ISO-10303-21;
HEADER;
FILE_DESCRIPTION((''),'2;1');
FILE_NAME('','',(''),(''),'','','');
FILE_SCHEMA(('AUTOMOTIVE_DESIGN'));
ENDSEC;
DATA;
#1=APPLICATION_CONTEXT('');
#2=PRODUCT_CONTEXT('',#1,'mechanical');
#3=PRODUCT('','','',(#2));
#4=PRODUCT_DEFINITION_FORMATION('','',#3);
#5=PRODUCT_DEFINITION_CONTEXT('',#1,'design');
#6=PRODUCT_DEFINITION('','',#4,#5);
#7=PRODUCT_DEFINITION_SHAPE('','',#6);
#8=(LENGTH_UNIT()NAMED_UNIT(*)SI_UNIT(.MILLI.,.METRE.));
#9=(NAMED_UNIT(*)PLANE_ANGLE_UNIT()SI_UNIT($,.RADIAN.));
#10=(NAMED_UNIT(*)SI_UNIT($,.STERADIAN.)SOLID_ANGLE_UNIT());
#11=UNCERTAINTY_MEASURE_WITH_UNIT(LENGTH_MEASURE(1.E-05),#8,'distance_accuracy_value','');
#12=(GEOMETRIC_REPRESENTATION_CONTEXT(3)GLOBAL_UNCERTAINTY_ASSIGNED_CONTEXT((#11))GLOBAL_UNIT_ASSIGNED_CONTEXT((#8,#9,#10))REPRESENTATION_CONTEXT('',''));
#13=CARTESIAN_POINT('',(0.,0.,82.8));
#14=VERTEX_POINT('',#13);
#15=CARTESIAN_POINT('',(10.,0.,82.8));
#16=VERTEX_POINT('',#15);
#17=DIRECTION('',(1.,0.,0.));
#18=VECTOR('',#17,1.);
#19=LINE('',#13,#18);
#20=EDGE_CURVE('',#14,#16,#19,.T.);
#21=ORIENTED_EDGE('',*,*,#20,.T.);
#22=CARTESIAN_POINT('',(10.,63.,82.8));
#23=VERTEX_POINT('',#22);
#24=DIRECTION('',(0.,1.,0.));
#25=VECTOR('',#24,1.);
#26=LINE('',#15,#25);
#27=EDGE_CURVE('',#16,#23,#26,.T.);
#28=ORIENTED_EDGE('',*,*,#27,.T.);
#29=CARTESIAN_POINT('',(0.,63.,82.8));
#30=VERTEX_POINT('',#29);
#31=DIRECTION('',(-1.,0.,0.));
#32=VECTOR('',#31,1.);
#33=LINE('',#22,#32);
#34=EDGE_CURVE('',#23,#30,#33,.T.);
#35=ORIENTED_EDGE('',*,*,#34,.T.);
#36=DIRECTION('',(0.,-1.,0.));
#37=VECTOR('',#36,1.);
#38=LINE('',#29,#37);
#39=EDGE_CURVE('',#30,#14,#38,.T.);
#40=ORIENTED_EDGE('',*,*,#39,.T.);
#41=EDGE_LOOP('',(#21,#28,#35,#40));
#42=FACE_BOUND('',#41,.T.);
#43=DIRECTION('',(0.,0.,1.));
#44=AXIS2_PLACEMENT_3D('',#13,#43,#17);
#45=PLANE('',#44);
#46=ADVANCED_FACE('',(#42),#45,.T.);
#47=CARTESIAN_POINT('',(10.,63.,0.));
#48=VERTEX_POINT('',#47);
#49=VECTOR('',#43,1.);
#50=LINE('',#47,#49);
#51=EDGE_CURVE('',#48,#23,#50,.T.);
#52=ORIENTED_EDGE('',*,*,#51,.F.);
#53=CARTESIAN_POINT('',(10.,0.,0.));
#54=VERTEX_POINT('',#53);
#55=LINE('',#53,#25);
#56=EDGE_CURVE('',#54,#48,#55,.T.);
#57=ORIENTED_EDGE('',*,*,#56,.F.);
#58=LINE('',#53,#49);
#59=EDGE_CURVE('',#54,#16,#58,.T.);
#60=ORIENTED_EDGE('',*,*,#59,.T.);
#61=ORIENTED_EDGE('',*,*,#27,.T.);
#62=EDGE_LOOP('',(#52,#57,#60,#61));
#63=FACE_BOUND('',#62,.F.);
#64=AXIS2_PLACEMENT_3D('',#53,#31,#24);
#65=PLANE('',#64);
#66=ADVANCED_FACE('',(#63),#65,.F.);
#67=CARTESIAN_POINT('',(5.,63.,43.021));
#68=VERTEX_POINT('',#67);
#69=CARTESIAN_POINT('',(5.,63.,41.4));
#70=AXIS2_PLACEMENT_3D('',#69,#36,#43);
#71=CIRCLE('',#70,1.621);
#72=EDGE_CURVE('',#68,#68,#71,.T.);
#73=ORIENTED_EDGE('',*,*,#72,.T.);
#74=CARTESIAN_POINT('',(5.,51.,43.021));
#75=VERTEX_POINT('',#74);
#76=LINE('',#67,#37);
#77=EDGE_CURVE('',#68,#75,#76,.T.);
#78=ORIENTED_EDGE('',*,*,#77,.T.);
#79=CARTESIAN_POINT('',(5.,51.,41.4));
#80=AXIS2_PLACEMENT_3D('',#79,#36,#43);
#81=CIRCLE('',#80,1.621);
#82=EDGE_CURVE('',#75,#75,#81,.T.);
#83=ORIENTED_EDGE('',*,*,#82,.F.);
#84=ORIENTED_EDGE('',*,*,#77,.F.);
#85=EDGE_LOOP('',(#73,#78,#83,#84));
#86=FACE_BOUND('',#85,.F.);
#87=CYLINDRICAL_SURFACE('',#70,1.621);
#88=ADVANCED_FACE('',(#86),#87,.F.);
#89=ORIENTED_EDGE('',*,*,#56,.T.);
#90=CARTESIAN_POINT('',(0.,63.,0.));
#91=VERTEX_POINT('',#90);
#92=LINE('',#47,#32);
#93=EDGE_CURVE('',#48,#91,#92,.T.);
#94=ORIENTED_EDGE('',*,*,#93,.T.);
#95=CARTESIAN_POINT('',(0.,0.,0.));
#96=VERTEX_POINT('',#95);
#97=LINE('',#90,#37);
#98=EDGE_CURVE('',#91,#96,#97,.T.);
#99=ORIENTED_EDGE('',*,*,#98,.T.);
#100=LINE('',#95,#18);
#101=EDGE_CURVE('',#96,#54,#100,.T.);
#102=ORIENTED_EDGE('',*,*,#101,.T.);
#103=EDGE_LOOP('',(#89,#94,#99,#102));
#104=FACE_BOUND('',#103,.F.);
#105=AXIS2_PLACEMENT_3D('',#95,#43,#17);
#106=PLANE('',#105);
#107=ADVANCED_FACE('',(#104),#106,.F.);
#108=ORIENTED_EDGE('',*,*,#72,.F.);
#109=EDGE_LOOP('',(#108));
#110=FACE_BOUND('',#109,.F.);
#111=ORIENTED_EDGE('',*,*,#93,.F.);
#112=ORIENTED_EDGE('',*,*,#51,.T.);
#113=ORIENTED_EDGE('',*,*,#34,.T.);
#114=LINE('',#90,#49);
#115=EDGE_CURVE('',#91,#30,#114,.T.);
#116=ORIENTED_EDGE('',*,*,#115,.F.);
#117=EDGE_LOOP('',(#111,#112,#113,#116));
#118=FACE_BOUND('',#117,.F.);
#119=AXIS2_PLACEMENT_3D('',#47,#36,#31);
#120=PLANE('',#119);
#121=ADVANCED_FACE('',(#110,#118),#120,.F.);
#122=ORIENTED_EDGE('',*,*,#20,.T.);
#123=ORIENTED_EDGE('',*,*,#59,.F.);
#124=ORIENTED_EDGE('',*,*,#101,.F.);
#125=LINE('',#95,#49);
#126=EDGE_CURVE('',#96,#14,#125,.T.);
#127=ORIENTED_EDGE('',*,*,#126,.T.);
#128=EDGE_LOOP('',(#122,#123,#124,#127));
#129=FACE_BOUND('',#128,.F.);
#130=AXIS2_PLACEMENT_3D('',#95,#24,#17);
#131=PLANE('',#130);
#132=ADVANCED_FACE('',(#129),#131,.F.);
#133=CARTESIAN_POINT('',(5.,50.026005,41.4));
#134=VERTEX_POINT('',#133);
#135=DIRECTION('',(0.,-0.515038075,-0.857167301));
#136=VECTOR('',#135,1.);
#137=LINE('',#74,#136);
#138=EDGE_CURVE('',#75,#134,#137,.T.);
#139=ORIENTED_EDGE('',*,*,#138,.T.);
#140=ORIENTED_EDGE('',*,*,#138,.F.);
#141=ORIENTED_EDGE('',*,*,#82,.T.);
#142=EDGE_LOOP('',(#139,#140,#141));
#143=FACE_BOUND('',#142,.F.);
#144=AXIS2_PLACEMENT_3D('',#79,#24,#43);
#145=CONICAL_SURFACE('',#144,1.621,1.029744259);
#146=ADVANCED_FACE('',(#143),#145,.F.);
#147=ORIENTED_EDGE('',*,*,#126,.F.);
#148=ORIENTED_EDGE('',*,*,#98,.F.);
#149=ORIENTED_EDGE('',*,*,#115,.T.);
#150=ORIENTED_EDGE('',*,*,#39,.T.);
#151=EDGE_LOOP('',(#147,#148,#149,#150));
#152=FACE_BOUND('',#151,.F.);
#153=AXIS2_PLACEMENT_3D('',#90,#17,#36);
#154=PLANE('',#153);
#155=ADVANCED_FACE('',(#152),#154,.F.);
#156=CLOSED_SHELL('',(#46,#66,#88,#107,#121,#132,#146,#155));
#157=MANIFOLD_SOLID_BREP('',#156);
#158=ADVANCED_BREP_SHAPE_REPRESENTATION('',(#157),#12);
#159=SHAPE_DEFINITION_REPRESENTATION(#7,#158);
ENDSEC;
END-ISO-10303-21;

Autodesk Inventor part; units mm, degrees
ref_plane "YZ Plane" through (0, 0, 0) normal (1, 0, 0) x (0, 1, 0)
ref_plane "XZ Plane" through (0, 0, 0) normal (0, 1, 0) x (-1, 0, 0)
ref_plane "XY Plane" through (0, 0, 0) normal (0, 0, 1) x (1, 0, 0)
sketch "Sketch1" plane through (0, 0, 0) normal (0, 0, 1) x (1, 0, 0)
  line L0 (0, 0) -> (10, 0)
  line L1 (10, 0) -> (10, 63)
  line L2 (10, 63) -> (0, 63)
  line L3 (0, 63) -> (0, 0)
  dimension "d0" = 10
  dimension "d1" = 63
extrude "Extrusion1" add sketch "Sketch1" along normal blind 82.8
sketch "m" plane through (0, 63, 0) normal (0, 1, 0) x (1, 0, 0)
  line L0 (0, 0) -> (0, -82.8) projected
  line L1 (10, 0) -> (0, 0) projected
  point P0 (5, -41.4)
  dimension "d4" = 5
  dimension "d5" = 41.4
hole "Hole1" at (5, 63, 41.4) direction (0, -1, 0) diameter 3.242 depth 12 tip angle 118 thread size "M4x0.7" class "6H" standard "ISO Metric profile"
equation "\"d5\" = 0.5 * d2"
equation "\"d2\" = 82.8"
properties part number "Paleta" material "Polypropylene"
